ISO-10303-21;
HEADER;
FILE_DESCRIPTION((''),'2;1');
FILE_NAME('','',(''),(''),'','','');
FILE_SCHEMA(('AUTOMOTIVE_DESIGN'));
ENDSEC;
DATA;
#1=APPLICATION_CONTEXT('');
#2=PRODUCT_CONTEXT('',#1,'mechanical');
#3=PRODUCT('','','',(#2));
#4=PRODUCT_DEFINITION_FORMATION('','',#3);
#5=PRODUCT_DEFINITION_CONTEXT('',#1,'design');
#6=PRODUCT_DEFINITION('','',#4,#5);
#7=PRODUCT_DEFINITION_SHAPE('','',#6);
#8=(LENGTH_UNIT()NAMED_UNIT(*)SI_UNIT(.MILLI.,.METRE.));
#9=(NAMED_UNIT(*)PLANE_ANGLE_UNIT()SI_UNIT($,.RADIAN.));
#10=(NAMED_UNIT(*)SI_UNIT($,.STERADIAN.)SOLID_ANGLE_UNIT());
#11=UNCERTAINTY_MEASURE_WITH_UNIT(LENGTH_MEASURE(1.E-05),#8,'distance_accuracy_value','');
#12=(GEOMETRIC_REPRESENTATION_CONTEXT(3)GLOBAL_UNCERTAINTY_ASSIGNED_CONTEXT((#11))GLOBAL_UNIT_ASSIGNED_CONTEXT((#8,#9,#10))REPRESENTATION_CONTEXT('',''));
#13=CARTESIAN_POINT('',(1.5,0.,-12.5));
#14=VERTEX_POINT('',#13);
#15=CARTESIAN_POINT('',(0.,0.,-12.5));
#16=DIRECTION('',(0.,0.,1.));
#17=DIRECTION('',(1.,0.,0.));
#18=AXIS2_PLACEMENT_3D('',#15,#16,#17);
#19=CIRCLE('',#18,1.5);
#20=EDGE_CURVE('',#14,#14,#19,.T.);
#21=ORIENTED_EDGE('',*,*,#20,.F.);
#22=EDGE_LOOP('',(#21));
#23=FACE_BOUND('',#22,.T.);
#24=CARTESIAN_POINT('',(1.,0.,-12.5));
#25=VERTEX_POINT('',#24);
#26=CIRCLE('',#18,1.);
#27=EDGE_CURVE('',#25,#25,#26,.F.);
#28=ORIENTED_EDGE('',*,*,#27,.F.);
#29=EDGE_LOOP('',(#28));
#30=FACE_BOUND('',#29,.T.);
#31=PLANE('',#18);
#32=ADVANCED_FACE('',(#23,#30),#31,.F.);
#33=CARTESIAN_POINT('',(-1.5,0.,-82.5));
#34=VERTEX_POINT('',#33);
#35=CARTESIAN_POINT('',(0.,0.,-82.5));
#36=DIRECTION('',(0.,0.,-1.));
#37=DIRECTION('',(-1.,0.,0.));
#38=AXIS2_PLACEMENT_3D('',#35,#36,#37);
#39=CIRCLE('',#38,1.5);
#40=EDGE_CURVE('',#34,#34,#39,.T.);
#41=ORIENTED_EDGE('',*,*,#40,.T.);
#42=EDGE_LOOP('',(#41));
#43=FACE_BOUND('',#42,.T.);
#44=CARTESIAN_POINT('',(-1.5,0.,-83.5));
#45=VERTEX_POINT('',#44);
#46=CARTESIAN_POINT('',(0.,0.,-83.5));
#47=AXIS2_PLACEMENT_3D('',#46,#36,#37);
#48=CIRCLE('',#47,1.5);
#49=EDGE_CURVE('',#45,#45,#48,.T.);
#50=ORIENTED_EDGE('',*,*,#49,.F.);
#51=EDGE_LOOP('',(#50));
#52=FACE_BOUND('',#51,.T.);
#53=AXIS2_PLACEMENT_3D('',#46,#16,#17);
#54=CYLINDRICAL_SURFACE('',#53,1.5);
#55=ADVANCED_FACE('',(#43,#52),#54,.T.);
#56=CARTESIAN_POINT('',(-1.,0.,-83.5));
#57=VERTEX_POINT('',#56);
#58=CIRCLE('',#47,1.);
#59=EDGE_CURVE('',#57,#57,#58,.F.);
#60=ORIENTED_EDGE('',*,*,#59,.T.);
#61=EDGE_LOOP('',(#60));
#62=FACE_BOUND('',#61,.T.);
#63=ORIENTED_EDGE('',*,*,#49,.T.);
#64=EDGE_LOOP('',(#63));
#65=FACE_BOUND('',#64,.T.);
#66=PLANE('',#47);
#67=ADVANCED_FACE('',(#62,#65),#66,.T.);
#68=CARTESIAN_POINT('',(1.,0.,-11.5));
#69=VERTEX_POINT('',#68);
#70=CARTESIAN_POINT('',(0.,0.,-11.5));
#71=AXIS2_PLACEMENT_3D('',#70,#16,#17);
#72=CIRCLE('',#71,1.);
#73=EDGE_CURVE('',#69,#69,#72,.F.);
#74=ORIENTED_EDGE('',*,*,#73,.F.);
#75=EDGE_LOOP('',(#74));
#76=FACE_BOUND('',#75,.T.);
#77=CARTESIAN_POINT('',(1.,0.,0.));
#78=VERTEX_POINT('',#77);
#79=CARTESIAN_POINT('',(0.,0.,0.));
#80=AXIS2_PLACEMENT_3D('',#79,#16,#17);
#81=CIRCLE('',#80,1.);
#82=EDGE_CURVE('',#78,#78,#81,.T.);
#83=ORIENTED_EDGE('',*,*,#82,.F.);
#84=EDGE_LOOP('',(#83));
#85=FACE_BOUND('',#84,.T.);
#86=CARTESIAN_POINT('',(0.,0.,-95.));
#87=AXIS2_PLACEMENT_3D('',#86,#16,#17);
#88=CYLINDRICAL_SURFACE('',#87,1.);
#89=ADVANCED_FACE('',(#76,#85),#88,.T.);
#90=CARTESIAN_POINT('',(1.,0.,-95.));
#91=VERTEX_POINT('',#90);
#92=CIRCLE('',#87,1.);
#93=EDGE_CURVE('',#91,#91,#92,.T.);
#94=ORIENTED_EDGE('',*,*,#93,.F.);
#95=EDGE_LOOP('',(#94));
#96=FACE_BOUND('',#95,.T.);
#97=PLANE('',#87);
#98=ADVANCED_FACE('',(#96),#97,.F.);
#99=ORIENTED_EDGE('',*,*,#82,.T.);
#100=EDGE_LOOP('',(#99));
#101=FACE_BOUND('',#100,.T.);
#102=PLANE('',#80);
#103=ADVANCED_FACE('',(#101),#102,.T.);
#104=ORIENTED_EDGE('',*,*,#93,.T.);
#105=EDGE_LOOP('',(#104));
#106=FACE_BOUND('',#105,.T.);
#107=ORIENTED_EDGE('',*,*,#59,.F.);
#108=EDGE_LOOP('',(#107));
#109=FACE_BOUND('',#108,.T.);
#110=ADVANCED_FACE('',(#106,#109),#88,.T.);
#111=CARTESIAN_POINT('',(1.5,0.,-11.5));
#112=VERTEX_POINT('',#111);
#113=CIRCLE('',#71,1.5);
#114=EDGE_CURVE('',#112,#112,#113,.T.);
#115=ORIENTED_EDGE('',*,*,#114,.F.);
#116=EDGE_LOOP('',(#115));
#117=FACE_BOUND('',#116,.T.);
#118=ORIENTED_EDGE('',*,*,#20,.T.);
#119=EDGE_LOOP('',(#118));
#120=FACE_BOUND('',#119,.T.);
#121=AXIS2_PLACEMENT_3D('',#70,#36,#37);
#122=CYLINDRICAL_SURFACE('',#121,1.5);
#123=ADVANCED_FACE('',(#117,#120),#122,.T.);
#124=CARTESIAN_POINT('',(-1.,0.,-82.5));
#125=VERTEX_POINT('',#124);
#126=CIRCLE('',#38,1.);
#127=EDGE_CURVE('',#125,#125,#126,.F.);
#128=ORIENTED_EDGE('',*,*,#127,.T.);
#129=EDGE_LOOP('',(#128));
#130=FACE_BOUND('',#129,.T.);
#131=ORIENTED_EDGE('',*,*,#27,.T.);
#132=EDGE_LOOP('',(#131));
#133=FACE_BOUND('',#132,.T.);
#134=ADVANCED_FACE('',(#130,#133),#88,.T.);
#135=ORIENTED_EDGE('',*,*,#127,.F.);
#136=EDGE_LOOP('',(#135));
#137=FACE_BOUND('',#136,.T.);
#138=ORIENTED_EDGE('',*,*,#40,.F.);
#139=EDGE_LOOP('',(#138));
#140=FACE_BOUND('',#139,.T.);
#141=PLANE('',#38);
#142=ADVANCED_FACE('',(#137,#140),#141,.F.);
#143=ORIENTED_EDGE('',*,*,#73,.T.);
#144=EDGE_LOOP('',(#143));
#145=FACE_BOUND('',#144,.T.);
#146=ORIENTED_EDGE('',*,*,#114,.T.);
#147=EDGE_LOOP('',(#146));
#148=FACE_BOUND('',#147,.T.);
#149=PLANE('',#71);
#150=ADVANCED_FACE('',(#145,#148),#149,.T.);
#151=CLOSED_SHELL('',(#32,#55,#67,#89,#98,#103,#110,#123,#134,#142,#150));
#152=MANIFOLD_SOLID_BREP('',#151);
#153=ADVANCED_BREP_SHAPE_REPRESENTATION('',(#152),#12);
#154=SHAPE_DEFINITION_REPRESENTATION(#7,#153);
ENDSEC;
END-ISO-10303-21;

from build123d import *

# Parameters (mm, degrees)
SKETCH2_R           = 1
BOSS_EXTRUDE1_DEPTH = 95
BOSS_EXTRUDE2_START = -12.5
SKETCH3_R           = 1.5
BOSS_EXTRUDE2_DEPTH = 1
BOSS_EXTRUDE3_START = -11.5
SKETCH4_R           = 1.5
BOSS_EXTRUDE3_DEPTH = 1


with BuildPart() as part:
    # Sketch2 → Boss-Extrude1 (new body)
    with BuildSketch(Plane.XY):
        Circle(SKETCH2_R)
    extrude(amount=-BOSS_EXTRUDE1_DEPTH)

    # Sketch3 → Boss-Extrude2 (add)
    with BuildSketch(Plane.XY.offset(BOSS_EXTRUDE2_START)):
        Circle(SKETCH3_R)
    extrude(amount=BOSS_EXTRUDE2_DEPTH)

    # Sketch4 → Boss-Extrude3 (add)
    with BuildSketch(Plane(origin=(0, 0, -95), x_dir=(-1, 0, 0), z_dir=(0, 0, -1)).offset(BOSS_EXTRUDE3_START)):
        with Locations(Location((0, 0, 0), (0, 0, 180))):
            Circle(SKETCH4_R)
    extrude(amount=-BOSS_EXTRUDE3_DEPTH)


solid = part.part
